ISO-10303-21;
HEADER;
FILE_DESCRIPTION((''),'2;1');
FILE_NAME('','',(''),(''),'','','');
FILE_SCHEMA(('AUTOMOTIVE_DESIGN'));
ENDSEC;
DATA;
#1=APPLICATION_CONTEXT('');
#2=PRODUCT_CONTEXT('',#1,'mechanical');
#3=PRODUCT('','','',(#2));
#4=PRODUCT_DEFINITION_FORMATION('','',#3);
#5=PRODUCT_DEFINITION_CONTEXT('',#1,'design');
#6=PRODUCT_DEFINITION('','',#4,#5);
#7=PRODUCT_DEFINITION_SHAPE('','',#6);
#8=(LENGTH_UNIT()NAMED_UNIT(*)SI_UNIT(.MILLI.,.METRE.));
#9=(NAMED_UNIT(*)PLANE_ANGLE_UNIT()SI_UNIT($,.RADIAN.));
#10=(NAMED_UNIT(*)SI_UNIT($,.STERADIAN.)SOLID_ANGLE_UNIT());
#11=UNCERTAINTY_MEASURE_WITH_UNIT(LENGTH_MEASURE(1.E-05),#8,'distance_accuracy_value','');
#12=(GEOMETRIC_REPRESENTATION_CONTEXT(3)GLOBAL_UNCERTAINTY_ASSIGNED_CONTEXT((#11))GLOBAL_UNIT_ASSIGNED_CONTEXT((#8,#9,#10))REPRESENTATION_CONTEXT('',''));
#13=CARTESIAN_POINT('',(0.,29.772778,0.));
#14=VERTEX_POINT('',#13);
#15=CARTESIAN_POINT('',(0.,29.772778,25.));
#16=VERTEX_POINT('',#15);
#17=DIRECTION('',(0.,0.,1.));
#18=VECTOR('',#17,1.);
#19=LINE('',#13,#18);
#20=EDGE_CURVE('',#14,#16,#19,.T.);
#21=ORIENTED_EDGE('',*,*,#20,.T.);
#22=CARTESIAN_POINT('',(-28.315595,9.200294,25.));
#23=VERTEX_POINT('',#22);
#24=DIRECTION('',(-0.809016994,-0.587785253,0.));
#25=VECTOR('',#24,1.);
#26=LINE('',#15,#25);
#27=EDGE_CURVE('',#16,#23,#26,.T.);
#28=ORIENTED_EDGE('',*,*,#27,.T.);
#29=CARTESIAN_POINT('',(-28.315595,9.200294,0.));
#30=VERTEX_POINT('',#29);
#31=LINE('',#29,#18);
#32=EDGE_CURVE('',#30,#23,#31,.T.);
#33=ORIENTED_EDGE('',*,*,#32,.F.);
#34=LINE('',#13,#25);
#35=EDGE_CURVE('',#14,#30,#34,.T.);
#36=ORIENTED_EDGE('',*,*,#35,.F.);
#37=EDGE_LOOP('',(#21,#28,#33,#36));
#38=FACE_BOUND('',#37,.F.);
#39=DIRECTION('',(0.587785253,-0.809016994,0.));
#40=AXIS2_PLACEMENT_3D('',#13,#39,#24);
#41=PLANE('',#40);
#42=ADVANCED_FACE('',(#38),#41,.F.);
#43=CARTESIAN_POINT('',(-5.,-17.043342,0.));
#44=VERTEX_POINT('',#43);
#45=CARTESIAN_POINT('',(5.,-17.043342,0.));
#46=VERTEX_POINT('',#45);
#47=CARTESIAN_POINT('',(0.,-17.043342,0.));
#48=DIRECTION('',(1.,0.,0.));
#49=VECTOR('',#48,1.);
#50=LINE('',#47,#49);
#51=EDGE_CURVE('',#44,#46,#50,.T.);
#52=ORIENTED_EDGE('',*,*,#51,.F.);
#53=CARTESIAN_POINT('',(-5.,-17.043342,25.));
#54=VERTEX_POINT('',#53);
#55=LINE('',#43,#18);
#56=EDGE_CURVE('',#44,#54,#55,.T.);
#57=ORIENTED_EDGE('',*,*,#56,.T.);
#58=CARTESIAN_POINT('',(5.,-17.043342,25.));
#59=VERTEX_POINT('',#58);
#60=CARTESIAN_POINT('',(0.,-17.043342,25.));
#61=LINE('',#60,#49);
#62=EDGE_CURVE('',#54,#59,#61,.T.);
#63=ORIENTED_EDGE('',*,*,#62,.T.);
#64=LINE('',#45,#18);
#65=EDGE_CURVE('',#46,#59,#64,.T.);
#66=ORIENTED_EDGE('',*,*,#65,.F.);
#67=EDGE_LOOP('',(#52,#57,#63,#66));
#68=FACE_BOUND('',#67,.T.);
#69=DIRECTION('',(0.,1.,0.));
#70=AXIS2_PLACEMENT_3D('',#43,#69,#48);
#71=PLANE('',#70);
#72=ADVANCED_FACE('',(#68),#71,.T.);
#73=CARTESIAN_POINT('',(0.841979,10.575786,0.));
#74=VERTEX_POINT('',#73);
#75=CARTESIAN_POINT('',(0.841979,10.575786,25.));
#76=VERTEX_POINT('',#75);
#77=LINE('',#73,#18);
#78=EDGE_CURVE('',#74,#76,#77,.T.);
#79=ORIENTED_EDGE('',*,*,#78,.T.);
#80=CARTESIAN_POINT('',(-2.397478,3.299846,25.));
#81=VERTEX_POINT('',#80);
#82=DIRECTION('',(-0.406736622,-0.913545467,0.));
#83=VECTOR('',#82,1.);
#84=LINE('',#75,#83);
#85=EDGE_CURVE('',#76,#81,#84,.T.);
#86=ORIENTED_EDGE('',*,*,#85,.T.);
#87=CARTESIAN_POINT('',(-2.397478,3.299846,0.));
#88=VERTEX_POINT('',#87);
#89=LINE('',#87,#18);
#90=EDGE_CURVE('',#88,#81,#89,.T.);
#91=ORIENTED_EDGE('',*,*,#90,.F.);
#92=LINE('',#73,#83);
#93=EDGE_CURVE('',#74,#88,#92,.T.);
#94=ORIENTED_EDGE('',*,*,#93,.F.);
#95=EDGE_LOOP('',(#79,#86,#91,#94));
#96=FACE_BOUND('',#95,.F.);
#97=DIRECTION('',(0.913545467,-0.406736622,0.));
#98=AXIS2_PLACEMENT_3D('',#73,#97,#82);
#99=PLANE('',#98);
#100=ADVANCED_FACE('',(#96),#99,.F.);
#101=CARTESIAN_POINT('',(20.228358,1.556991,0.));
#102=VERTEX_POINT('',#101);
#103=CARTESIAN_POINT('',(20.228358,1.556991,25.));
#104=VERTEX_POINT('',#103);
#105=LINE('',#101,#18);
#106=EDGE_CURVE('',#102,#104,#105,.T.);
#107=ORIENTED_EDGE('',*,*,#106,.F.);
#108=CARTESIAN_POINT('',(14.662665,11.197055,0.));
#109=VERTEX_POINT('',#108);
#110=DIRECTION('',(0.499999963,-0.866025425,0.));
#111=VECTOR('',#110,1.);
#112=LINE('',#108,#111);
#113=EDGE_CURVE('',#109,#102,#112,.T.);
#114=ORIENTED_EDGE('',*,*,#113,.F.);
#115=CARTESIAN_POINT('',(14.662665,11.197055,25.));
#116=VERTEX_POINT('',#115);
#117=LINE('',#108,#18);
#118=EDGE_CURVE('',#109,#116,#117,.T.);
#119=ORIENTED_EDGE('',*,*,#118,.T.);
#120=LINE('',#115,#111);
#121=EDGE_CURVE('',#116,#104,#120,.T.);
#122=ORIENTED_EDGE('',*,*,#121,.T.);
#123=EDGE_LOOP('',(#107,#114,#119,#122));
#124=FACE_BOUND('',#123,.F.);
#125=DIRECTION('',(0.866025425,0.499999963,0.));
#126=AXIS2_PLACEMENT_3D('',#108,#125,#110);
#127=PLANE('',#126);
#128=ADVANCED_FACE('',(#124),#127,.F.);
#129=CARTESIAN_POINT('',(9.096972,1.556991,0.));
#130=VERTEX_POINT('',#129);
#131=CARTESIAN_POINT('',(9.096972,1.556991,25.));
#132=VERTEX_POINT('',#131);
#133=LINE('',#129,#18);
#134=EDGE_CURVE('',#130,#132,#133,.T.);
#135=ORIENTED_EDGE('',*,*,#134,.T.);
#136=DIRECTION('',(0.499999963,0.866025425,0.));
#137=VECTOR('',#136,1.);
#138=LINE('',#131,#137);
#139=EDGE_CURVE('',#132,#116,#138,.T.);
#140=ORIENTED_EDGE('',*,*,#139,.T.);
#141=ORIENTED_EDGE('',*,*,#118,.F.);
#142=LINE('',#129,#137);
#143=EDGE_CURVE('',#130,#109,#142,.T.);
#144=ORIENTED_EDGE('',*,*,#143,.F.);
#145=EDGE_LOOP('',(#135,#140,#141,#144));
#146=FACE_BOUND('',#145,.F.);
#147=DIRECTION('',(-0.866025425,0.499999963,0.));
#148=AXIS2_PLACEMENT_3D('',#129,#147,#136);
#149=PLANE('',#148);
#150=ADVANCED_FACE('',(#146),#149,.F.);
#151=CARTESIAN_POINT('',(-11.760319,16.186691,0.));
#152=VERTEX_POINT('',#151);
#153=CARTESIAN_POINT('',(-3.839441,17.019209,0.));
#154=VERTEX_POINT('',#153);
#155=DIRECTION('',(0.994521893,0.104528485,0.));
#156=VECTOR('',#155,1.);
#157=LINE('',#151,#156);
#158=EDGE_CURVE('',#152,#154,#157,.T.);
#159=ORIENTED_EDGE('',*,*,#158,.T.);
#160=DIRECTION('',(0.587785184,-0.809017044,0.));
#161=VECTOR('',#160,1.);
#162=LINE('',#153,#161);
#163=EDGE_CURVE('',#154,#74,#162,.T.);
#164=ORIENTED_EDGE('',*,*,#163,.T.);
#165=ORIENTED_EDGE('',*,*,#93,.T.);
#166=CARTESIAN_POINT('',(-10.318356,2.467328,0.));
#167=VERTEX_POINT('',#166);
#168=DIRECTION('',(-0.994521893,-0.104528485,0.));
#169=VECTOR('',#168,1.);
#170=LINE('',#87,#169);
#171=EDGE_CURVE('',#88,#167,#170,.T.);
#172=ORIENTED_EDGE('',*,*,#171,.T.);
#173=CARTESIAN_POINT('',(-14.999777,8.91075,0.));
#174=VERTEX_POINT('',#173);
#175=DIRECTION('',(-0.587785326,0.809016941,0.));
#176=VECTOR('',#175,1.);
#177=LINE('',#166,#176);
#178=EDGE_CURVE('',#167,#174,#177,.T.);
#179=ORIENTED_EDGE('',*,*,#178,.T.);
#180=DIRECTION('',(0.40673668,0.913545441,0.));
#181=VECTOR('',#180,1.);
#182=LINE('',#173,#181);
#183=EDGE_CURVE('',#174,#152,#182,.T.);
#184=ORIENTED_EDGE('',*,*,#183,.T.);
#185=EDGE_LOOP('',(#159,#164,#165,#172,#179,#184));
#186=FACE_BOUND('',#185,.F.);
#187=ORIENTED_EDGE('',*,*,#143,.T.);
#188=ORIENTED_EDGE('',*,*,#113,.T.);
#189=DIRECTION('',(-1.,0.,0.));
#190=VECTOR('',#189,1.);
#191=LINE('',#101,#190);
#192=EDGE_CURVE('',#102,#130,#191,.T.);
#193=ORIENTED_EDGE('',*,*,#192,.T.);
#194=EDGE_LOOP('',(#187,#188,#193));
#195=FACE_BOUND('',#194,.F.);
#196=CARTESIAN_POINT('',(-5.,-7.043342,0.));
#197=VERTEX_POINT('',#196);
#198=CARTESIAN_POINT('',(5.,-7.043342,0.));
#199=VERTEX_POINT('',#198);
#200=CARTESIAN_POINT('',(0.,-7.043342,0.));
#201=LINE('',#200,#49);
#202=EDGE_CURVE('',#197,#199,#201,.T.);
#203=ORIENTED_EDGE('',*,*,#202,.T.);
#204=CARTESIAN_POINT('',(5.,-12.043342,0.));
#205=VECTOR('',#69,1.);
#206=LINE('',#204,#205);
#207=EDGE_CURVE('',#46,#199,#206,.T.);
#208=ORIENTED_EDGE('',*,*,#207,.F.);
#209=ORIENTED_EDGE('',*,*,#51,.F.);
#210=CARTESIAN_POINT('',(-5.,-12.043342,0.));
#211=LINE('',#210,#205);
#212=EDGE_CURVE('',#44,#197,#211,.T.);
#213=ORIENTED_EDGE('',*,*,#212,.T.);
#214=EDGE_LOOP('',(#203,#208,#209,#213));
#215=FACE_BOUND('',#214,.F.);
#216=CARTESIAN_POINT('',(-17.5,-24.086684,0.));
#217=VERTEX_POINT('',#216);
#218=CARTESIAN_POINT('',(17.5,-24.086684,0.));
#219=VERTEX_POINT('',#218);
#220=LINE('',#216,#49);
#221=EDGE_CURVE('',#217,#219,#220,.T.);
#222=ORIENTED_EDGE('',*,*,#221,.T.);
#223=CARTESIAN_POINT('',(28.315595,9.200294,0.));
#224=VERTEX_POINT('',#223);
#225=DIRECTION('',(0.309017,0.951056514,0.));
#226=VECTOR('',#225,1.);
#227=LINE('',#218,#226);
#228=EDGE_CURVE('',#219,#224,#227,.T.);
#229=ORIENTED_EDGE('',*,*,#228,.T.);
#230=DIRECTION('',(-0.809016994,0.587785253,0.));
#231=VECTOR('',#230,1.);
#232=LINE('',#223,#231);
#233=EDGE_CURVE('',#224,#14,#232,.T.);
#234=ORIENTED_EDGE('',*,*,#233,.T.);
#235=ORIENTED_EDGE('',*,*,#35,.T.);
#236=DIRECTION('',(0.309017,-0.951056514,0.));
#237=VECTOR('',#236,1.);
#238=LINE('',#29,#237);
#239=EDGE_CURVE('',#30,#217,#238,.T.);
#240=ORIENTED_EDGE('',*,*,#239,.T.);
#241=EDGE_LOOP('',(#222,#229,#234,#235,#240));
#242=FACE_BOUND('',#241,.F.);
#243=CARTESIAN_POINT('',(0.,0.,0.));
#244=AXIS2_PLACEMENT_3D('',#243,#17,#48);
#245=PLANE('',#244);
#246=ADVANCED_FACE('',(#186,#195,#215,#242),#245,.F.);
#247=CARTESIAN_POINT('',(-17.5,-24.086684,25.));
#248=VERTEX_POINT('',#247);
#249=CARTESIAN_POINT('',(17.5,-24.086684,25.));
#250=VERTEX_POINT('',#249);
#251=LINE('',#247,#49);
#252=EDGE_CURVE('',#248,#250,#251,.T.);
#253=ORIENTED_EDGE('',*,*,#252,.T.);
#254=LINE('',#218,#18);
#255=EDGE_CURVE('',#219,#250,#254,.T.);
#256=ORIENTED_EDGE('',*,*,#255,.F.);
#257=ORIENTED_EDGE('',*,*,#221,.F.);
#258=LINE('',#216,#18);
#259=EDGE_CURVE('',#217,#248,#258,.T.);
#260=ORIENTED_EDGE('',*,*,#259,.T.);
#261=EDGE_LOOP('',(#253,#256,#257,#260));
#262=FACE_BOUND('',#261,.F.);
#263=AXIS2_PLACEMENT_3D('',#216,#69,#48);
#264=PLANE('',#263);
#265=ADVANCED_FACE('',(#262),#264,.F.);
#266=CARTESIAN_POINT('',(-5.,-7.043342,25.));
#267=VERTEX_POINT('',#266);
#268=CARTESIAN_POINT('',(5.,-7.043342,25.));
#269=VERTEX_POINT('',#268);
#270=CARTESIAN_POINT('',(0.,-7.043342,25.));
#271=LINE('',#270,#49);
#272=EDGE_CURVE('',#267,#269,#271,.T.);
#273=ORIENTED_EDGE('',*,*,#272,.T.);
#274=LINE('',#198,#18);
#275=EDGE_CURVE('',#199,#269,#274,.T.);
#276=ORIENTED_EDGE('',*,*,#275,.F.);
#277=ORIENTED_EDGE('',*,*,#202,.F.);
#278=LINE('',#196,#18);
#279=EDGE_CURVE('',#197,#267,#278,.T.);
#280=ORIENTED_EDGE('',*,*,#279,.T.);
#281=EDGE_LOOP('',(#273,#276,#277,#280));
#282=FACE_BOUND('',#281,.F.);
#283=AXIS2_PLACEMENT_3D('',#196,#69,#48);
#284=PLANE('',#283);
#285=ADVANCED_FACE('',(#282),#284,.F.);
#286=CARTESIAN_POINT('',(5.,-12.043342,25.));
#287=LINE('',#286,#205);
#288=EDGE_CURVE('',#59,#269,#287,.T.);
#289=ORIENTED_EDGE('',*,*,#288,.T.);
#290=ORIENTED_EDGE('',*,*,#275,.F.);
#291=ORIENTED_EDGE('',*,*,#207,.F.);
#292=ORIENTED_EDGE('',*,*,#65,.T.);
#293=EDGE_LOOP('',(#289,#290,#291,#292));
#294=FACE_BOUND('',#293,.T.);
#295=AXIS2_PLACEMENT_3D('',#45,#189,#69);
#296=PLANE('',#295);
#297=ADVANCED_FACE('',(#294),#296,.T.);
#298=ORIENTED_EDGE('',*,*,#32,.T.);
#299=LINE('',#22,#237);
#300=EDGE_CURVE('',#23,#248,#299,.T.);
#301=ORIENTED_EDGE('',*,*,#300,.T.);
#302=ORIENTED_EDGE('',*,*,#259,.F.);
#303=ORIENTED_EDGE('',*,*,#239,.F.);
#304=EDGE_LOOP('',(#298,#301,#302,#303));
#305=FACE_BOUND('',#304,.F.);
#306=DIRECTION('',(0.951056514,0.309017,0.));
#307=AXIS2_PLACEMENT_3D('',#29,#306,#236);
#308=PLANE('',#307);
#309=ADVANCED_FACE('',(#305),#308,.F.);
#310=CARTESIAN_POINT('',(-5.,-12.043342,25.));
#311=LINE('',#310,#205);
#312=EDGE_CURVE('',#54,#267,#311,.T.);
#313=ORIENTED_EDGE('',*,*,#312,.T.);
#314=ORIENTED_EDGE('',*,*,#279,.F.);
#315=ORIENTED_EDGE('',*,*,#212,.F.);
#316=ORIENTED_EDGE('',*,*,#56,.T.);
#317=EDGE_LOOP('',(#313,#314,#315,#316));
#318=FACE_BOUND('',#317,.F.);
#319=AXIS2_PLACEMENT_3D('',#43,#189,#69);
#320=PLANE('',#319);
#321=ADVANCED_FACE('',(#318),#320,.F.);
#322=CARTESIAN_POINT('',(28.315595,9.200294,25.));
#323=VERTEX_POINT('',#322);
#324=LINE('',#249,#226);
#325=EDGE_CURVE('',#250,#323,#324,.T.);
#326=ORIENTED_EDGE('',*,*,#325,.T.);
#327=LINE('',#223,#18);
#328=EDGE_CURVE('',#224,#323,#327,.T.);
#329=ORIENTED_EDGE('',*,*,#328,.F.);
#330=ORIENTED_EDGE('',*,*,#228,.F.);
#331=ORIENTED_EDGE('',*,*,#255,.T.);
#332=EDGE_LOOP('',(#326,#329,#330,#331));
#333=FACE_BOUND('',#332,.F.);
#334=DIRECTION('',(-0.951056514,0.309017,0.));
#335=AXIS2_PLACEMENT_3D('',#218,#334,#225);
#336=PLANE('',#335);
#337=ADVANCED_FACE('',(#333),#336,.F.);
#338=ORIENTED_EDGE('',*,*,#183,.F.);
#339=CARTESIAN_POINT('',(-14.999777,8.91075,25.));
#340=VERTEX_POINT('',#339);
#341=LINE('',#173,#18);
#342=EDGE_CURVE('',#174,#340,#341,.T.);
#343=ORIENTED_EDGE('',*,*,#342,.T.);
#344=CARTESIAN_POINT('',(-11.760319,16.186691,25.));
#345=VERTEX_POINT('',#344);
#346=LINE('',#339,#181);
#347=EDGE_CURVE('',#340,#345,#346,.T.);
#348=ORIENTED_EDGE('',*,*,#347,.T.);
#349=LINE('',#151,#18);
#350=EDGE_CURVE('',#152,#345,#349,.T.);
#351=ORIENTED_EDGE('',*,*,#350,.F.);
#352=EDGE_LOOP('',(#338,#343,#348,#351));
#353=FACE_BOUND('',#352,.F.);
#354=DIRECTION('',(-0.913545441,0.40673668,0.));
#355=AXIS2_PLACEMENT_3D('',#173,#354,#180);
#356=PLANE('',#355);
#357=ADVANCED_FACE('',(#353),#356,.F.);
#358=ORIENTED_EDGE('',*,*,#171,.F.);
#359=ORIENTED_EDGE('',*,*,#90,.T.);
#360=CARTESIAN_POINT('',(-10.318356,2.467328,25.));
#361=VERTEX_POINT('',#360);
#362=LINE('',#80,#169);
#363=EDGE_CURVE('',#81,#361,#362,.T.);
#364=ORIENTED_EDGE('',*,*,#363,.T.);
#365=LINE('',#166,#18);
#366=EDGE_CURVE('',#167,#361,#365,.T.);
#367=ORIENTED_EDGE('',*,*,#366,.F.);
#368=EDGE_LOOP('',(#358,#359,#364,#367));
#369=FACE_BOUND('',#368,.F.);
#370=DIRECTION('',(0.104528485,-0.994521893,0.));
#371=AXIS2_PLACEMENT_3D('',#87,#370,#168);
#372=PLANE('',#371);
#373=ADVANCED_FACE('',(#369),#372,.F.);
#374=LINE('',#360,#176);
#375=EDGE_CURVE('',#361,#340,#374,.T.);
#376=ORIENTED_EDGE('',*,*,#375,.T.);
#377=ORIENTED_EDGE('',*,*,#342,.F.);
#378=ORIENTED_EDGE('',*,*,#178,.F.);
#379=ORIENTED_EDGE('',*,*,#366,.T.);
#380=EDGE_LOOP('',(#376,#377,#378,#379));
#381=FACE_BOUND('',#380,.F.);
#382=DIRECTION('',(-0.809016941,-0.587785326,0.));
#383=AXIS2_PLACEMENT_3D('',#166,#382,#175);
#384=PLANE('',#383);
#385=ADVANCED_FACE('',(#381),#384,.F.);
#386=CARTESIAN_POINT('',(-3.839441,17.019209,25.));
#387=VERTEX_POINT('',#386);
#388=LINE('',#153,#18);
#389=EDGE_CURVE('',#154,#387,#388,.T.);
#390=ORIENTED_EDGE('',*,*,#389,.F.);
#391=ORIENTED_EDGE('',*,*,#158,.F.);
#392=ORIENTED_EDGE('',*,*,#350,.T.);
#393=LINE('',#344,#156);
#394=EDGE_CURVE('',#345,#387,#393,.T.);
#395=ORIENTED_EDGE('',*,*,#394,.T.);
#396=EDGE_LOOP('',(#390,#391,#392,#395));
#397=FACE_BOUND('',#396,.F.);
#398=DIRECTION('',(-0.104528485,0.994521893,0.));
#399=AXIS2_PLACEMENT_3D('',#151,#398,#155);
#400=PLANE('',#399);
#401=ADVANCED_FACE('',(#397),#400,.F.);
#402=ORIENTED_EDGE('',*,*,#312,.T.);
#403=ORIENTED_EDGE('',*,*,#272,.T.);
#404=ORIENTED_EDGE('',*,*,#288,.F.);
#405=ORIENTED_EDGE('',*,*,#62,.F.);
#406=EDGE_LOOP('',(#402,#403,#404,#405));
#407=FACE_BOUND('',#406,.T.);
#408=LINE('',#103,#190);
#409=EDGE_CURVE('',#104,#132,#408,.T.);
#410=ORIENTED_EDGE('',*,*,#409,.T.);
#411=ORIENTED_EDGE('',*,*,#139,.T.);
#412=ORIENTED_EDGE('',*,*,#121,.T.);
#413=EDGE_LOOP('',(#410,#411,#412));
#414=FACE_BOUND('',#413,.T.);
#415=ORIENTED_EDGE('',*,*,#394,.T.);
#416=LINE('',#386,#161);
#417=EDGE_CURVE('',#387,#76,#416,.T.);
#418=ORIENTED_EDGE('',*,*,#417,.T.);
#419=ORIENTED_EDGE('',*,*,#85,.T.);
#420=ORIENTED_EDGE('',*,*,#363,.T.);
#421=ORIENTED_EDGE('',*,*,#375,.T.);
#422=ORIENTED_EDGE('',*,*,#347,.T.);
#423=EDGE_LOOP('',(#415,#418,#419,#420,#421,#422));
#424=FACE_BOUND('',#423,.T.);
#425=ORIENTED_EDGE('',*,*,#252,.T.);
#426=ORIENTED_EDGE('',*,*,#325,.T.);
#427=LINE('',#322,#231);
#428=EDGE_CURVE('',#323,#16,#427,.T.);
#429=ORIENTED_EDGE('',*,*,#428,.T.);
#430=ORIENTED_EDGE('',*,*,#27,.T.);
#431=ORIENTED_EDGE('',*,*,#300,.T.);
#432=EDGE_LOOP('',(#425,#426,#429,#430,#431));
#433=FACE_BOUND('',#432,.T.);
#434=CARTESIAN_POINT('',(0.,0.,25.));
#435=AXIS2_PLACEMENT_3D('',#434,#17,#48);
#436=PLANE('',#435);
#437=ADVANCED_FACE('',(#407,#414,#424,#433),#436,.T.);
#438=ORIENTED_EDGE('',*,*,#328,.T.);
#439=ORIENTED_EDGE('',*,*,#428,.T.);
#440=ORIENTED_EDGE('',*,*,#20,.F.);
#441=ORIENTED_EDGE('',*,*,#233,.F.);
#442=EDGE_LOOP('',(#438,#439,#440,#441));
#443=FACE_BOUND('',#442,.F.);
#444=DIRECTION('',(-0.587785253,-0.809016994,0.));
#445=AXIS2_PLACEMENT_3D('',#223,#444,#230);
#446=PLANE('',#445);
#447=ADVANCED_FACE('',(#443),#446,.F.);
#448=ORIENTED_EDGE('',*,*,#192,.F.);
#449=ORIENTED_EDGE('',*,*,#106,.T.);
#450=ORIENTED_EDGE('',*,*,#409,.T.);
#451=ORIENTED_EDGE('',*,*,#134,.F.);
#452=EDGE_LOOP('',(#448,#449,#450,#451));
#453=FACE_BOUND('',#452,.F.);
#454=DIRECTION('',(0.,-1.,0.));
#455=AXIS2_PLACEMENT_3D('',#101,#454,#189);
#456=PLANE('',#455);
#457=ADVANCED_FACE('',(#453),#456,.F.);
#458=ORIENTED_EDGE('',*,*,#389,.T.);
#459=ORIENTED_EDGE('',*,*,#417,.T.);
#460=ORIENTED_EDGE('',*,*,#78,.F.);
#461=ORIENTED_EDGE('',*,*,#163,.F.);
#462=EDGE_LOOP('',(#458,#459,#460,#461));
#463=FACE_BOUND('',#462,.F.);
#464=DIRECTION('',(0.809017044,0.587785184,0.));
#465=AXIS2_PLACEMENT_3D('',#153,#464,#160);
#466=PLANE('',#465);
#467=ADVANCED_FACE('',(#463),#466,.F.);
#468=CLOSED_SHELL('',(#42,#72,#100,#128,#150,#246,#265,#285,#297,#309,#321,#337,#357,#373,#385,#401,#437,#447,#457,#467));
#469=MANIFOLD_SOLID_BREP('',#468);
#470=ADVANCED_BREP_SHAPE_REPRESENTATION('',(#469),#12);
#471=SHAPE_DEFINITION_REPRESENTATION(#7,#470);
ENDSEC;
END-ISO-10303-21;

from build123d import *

# Parameters (mm, degrees)
F0_W     = 10
F0_H     = 10
F1_DEPTH = 25


with BuildPart() as f1:
    # F0 (on Top) → F1 (new body)
    with BuildSketch(Plane.XY):
        Polygon((17.5, -24.086684), (28.315595, 9.200294), (0, 29.772778), (-28.315595, 9.200294), (-17.5, -24.086684), align=None)
        with Locations((0, -12.043342)):
            Rectangle(F0_W, F0_H, mode=Mode.SUBTRACT)
        Polygon((-2.397478, 3.299846), (-10.318356, 2.467328), (-14.999777, 8.91075), (-11.760319, 16.186691), (-3.839441, 17.019209), (0.841979, 10.575786), align=None, mode=Mode.SUBTRACT)
        Polygon((14.662665, 11.197055), (20.228358, 1.556991), (9.096972, 1.556991), align=None, mode=Mode.SUBTRACT)
    extrude(amount=F1_DEPTH)


solid = f1.part
